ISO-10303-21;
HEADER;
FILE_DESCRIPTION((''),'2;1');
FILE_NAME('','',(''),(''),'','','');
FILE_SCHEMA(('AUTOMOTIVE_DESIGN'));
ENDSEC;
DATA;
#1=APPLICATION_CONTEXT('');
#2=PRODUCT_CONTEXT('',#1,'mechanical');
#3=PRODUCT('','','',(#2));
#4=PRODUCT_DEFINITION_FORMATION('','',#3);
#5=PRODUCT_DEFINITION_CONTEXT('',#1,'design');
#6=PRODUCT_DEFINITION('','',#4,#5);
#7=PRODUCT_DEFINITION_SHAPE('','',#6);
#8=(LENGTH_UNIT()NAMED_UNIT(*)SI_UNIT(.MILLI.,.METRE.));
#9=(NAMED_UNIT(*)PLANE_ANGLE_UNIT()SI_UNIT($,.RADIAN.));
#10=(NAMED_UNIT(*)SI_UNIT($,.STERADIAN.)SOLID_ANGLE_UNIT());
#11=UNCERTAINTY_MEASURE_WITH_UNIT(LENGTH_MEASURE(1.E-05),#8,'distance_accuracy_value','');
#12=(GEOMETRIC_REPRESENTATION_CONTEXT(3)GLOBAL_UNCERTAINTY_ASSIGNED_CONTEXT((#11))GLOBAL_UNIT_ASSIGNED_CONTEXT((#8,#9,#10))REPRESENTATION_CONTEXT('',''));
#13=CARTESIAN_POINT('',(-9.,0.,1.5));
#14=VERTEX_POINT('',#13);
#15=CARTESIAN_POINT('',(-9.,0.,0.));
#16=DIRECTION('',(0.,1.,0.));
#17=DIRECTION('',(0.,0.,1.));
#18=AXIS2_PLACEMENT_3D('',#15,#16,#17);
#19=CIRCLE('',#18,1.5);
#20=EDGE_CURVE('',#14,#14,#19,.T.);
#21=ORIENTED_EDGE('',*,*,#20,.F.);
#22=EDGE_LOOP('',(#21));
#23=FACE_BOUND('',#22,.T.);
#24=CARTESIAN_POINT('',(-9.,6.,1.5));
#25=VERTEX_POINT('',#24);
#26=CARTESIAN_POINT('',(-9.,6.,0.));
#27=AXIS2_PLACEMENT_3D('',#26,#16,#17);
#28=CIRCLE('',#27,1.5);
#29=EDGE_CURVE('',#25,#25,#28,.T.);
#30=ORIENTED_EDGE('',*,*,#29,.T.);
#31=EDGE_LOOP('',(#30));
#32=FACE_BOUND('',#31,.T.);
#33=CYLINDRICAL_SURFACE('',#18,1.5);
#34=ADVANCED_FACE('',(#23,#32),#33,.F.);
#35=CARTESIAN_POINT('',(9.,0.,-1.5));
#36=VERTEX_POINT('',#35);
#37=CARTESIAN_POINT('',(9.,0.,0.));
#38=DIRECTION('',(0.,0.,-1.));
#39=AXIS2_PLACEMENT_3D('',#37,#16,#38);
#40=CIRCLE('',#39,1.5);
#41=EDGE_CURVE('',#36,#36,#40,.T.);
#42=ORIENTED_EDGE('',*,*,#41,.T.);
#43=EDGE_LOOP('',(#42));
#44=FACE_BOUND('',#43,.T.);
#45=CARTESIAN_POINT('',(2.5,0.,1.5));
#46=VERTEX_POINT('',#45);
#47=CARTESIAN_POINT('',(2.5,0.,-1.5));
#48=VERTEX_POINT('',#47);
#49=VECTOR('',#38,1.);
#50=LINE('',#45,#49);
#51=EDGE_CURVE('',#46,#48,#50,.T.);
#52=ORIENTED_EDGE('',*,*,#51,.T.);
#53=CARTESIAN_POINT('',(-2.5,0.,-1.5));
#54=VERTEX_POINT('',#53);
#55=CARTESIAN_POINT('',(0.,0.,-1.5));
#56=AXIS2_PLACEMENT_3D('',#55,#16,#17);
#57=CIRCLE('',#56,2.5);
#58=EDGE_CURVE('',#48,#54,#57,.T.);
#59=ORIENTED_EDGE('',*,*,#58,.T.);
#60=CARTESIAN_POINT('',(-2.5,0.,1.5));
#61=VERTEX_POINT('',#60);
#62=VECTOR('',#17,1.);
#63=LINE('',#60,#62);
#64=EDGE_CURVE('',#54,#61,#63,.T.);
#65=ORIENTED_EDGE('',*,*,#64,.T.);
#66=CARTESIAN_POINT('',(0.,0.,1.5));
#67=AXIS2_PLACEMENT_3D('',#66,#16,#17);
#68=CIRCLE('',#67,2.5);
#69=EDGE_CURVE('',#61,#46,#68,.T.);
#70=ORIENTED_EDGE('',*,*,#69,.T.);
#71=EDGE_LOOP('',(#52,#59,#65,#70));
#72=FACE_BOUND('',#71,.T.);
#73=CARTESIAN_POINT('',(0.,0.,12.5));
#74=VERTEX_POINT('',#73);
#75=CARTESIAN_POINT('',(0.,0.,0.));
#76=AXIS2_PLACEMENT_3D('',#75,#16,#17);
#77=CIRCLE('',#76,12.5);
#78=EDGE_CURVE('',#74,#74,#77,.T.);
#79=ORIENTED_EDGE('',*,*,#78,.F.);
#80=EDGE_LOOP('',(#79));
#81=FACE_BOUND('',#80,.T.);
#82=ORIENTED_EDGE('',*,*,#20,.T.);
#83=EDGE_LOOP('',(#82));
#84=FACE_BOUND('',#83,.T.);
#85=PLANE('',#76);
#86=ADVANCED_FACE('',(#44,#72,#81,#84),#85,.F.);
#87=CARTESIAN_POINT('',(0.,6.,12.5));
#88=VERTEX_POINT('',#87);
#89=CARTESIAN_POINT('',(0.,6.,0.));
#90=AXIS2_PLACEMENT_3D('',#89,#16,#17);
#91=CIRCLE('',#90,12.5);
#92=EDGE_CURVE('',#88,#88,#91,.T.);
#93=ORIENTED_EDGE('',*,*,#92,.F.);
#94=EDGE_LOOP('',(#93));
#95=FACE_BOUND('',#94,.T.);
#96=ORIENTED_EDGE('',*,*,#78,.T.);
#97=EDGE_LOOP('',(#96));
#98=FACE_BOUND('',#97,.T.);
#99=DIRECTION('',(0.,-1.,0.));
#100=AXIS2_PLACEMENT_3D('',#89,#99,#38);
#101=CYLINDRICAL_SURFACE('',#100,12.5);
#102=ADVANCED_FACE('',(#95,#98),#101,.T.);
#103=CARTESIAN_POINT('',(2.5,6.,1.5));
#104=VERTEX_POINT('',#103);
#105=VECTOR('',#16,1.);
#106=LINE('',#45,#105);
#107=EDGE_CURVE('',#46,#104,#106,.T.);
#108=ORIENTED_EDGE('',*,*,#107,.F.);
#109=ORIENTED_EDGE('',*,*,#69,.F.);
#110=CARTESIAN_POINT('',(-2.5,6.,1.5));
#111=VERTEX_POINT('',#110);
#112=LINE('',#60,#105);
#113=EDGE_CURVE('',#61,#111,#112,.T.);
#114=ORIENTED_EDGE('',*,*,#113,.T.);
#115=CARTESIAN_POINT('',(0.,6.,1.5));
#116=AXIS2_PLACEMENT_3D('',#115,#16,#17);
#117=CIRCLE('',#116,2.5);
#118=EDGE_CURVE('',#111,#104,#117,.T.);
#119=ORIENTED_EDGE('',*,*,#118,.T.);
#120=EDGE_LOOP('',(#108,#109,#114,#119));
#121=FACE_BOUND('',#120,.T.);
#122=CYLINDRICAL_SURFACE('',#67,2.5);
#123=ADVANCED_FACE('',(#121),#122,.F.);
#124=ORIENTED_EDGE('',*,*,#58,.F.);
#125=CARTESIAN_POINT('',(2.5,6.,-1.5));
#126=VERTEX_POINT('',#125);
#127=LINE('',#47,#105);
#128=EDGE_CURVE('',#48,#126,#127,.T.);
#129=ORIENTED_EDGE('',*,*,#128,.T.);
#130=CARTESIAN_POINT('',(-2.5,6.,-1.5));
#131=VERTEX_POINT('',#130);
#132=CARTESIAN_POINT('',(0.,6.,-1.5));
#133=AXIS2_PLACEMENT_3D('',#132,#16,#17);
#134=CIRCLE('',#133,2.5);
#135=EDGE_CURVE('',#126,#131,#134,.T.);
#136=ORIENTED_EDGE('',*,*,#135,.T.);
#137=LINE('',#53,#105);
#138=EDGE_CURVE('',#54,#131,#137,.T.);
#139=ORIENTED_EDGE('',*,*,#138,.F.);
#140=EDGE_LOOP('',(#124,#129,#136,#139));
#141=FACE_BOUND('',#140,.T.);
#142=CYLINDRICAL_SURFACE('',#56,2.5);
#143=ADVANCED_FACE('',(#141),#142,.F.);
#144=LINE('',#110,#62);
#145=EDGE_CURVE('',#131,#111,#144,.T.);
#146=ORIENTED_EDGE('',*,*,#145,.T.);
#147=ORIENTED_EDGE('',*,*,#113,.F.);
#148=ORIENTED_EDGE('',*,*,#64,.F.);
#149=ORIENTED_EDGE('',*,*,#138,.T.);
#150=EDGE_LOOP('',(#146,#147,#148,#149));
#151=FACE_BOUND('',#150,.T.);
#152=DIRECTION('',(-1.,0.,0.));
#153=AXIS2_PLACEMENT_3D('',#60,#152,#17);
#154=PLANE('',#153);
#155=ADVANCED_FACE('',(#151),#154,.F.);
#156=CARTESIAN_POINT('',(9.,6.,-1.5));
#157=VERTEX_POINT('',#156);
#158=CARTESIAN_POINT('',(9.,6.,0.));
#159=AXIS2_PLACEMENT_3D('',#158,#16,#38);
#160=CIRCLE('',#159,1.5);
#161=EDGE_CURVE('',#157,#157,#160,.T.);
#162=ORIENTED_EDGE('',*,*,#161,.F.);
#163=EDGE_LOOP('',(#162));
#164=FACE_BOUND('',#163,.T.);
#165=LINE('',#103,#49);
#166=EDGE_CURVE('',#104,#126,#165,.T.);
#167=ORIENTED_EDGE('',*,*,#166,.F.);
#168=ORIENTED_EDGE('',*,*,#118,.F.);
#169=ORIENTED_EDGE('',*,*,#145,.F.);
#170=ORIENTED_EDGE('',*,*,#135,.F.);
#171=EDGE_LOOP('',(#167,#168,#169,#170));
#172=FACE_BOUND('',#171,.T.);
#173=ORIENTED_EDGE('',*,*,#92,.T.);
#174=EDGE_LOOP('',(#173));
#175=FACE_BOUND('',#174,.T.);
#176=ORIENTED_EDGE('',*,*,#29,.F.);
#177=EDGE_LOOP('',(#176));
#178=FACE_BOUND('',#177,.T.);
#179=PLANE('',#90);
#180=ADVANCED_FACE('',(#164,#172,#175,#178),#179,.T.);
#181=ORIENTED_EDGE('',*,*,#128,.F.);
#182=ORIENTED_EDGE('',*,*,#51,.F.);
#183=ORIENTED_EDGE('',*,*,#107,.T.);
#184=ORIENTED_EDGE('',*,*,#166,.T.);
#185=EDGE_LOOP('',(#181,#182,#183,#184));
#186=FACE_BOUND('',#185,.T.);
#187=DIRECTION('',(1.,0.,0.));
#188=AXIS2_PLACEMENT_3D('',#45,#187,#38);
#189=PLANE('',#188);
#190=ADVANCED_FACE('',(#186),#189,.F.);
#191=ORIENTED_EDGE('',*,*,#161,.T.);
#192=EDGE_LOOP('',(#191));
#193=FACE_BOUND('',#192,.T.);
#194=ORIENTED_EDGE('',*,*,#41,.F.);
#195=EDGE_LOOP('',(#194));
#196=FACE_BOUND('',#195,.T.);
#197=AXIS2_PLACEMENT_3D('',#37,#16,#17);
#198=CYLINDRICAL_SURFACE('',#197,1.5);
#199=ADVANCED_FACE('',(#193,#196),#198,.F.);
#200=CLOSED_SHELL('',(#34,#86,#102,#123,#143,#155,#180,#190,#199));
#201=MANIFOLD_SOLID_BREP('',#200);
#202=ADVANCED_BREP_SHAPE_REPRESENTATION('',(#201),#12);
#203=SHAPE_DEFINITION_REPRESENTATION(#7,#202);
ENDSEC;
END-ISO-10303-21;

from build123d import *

# Parameters (mm, degrees)
SKETCH1_R           = 12.5
BOSS_EXTRUDE1_DEPTH = 6
CUT_EXTRUDE1_DEPTH  = 19.668154703
SKETCH3_R           = 1.5
CUT_EXTRUDE2_DEPTH  = 19.668154703


with BuildPart() as part:
    # Sketch1 → Boss-Extrude1 (new body)
    with BuildSketch(Plane(origin=(0, 0, 0), x_dir=(1, 0, 0), z_dir=(0, 1, 0))):
        with Locations(Location((0, 0, 0), (0, 0, 270))):
            Circle(SKETCH1_R)
    extrude(amount=BOSS_EXTRUDE1_DEPTH)

    # Sketch2 → Cut-Extrude1 (cut, through all)
    with BuildSketch(Plane(origin=(0, 6, 0), x_dir=(1, 0, 0), z_dir=(0, 1, 0))):
        with BuildLine():
            Line((-2.5, -1.5), (-2.5, 1.5))
            ThreePointArc((-2.5, 1.5), (0, 4), (2.5, 1.5))
            Line((2.5, 1.5), (2.5, -1.5))
            ThreePointArc((2.5, -1.5), (0, -4), (-2.5, -1.5))
        make_face()
    extrude(amount=-CUT_EXTRUDE1_DEPTH, mode=Mode.SUBTRACT)

    # Sketch3 → Cut-Extrude2 (cut, through all)
    with BuildSketch(Plane(origin=(0, 6, 0), x_dir=(1, 0, 0), z_dir=(0, 1, 0))):
        with Locations(Location((-9, 0, 0), (0, 0, 270))):
            Circle(SKETCH3_R)
        with Locations(Location((9, 0, 0), (0, 0, 90))):
            Circle(SKETCH3_R)
    extrude(amount=-CUT_EXTRUDE2_DEPTH, mode=Mode.SUBTRACT)


solid = part.part
